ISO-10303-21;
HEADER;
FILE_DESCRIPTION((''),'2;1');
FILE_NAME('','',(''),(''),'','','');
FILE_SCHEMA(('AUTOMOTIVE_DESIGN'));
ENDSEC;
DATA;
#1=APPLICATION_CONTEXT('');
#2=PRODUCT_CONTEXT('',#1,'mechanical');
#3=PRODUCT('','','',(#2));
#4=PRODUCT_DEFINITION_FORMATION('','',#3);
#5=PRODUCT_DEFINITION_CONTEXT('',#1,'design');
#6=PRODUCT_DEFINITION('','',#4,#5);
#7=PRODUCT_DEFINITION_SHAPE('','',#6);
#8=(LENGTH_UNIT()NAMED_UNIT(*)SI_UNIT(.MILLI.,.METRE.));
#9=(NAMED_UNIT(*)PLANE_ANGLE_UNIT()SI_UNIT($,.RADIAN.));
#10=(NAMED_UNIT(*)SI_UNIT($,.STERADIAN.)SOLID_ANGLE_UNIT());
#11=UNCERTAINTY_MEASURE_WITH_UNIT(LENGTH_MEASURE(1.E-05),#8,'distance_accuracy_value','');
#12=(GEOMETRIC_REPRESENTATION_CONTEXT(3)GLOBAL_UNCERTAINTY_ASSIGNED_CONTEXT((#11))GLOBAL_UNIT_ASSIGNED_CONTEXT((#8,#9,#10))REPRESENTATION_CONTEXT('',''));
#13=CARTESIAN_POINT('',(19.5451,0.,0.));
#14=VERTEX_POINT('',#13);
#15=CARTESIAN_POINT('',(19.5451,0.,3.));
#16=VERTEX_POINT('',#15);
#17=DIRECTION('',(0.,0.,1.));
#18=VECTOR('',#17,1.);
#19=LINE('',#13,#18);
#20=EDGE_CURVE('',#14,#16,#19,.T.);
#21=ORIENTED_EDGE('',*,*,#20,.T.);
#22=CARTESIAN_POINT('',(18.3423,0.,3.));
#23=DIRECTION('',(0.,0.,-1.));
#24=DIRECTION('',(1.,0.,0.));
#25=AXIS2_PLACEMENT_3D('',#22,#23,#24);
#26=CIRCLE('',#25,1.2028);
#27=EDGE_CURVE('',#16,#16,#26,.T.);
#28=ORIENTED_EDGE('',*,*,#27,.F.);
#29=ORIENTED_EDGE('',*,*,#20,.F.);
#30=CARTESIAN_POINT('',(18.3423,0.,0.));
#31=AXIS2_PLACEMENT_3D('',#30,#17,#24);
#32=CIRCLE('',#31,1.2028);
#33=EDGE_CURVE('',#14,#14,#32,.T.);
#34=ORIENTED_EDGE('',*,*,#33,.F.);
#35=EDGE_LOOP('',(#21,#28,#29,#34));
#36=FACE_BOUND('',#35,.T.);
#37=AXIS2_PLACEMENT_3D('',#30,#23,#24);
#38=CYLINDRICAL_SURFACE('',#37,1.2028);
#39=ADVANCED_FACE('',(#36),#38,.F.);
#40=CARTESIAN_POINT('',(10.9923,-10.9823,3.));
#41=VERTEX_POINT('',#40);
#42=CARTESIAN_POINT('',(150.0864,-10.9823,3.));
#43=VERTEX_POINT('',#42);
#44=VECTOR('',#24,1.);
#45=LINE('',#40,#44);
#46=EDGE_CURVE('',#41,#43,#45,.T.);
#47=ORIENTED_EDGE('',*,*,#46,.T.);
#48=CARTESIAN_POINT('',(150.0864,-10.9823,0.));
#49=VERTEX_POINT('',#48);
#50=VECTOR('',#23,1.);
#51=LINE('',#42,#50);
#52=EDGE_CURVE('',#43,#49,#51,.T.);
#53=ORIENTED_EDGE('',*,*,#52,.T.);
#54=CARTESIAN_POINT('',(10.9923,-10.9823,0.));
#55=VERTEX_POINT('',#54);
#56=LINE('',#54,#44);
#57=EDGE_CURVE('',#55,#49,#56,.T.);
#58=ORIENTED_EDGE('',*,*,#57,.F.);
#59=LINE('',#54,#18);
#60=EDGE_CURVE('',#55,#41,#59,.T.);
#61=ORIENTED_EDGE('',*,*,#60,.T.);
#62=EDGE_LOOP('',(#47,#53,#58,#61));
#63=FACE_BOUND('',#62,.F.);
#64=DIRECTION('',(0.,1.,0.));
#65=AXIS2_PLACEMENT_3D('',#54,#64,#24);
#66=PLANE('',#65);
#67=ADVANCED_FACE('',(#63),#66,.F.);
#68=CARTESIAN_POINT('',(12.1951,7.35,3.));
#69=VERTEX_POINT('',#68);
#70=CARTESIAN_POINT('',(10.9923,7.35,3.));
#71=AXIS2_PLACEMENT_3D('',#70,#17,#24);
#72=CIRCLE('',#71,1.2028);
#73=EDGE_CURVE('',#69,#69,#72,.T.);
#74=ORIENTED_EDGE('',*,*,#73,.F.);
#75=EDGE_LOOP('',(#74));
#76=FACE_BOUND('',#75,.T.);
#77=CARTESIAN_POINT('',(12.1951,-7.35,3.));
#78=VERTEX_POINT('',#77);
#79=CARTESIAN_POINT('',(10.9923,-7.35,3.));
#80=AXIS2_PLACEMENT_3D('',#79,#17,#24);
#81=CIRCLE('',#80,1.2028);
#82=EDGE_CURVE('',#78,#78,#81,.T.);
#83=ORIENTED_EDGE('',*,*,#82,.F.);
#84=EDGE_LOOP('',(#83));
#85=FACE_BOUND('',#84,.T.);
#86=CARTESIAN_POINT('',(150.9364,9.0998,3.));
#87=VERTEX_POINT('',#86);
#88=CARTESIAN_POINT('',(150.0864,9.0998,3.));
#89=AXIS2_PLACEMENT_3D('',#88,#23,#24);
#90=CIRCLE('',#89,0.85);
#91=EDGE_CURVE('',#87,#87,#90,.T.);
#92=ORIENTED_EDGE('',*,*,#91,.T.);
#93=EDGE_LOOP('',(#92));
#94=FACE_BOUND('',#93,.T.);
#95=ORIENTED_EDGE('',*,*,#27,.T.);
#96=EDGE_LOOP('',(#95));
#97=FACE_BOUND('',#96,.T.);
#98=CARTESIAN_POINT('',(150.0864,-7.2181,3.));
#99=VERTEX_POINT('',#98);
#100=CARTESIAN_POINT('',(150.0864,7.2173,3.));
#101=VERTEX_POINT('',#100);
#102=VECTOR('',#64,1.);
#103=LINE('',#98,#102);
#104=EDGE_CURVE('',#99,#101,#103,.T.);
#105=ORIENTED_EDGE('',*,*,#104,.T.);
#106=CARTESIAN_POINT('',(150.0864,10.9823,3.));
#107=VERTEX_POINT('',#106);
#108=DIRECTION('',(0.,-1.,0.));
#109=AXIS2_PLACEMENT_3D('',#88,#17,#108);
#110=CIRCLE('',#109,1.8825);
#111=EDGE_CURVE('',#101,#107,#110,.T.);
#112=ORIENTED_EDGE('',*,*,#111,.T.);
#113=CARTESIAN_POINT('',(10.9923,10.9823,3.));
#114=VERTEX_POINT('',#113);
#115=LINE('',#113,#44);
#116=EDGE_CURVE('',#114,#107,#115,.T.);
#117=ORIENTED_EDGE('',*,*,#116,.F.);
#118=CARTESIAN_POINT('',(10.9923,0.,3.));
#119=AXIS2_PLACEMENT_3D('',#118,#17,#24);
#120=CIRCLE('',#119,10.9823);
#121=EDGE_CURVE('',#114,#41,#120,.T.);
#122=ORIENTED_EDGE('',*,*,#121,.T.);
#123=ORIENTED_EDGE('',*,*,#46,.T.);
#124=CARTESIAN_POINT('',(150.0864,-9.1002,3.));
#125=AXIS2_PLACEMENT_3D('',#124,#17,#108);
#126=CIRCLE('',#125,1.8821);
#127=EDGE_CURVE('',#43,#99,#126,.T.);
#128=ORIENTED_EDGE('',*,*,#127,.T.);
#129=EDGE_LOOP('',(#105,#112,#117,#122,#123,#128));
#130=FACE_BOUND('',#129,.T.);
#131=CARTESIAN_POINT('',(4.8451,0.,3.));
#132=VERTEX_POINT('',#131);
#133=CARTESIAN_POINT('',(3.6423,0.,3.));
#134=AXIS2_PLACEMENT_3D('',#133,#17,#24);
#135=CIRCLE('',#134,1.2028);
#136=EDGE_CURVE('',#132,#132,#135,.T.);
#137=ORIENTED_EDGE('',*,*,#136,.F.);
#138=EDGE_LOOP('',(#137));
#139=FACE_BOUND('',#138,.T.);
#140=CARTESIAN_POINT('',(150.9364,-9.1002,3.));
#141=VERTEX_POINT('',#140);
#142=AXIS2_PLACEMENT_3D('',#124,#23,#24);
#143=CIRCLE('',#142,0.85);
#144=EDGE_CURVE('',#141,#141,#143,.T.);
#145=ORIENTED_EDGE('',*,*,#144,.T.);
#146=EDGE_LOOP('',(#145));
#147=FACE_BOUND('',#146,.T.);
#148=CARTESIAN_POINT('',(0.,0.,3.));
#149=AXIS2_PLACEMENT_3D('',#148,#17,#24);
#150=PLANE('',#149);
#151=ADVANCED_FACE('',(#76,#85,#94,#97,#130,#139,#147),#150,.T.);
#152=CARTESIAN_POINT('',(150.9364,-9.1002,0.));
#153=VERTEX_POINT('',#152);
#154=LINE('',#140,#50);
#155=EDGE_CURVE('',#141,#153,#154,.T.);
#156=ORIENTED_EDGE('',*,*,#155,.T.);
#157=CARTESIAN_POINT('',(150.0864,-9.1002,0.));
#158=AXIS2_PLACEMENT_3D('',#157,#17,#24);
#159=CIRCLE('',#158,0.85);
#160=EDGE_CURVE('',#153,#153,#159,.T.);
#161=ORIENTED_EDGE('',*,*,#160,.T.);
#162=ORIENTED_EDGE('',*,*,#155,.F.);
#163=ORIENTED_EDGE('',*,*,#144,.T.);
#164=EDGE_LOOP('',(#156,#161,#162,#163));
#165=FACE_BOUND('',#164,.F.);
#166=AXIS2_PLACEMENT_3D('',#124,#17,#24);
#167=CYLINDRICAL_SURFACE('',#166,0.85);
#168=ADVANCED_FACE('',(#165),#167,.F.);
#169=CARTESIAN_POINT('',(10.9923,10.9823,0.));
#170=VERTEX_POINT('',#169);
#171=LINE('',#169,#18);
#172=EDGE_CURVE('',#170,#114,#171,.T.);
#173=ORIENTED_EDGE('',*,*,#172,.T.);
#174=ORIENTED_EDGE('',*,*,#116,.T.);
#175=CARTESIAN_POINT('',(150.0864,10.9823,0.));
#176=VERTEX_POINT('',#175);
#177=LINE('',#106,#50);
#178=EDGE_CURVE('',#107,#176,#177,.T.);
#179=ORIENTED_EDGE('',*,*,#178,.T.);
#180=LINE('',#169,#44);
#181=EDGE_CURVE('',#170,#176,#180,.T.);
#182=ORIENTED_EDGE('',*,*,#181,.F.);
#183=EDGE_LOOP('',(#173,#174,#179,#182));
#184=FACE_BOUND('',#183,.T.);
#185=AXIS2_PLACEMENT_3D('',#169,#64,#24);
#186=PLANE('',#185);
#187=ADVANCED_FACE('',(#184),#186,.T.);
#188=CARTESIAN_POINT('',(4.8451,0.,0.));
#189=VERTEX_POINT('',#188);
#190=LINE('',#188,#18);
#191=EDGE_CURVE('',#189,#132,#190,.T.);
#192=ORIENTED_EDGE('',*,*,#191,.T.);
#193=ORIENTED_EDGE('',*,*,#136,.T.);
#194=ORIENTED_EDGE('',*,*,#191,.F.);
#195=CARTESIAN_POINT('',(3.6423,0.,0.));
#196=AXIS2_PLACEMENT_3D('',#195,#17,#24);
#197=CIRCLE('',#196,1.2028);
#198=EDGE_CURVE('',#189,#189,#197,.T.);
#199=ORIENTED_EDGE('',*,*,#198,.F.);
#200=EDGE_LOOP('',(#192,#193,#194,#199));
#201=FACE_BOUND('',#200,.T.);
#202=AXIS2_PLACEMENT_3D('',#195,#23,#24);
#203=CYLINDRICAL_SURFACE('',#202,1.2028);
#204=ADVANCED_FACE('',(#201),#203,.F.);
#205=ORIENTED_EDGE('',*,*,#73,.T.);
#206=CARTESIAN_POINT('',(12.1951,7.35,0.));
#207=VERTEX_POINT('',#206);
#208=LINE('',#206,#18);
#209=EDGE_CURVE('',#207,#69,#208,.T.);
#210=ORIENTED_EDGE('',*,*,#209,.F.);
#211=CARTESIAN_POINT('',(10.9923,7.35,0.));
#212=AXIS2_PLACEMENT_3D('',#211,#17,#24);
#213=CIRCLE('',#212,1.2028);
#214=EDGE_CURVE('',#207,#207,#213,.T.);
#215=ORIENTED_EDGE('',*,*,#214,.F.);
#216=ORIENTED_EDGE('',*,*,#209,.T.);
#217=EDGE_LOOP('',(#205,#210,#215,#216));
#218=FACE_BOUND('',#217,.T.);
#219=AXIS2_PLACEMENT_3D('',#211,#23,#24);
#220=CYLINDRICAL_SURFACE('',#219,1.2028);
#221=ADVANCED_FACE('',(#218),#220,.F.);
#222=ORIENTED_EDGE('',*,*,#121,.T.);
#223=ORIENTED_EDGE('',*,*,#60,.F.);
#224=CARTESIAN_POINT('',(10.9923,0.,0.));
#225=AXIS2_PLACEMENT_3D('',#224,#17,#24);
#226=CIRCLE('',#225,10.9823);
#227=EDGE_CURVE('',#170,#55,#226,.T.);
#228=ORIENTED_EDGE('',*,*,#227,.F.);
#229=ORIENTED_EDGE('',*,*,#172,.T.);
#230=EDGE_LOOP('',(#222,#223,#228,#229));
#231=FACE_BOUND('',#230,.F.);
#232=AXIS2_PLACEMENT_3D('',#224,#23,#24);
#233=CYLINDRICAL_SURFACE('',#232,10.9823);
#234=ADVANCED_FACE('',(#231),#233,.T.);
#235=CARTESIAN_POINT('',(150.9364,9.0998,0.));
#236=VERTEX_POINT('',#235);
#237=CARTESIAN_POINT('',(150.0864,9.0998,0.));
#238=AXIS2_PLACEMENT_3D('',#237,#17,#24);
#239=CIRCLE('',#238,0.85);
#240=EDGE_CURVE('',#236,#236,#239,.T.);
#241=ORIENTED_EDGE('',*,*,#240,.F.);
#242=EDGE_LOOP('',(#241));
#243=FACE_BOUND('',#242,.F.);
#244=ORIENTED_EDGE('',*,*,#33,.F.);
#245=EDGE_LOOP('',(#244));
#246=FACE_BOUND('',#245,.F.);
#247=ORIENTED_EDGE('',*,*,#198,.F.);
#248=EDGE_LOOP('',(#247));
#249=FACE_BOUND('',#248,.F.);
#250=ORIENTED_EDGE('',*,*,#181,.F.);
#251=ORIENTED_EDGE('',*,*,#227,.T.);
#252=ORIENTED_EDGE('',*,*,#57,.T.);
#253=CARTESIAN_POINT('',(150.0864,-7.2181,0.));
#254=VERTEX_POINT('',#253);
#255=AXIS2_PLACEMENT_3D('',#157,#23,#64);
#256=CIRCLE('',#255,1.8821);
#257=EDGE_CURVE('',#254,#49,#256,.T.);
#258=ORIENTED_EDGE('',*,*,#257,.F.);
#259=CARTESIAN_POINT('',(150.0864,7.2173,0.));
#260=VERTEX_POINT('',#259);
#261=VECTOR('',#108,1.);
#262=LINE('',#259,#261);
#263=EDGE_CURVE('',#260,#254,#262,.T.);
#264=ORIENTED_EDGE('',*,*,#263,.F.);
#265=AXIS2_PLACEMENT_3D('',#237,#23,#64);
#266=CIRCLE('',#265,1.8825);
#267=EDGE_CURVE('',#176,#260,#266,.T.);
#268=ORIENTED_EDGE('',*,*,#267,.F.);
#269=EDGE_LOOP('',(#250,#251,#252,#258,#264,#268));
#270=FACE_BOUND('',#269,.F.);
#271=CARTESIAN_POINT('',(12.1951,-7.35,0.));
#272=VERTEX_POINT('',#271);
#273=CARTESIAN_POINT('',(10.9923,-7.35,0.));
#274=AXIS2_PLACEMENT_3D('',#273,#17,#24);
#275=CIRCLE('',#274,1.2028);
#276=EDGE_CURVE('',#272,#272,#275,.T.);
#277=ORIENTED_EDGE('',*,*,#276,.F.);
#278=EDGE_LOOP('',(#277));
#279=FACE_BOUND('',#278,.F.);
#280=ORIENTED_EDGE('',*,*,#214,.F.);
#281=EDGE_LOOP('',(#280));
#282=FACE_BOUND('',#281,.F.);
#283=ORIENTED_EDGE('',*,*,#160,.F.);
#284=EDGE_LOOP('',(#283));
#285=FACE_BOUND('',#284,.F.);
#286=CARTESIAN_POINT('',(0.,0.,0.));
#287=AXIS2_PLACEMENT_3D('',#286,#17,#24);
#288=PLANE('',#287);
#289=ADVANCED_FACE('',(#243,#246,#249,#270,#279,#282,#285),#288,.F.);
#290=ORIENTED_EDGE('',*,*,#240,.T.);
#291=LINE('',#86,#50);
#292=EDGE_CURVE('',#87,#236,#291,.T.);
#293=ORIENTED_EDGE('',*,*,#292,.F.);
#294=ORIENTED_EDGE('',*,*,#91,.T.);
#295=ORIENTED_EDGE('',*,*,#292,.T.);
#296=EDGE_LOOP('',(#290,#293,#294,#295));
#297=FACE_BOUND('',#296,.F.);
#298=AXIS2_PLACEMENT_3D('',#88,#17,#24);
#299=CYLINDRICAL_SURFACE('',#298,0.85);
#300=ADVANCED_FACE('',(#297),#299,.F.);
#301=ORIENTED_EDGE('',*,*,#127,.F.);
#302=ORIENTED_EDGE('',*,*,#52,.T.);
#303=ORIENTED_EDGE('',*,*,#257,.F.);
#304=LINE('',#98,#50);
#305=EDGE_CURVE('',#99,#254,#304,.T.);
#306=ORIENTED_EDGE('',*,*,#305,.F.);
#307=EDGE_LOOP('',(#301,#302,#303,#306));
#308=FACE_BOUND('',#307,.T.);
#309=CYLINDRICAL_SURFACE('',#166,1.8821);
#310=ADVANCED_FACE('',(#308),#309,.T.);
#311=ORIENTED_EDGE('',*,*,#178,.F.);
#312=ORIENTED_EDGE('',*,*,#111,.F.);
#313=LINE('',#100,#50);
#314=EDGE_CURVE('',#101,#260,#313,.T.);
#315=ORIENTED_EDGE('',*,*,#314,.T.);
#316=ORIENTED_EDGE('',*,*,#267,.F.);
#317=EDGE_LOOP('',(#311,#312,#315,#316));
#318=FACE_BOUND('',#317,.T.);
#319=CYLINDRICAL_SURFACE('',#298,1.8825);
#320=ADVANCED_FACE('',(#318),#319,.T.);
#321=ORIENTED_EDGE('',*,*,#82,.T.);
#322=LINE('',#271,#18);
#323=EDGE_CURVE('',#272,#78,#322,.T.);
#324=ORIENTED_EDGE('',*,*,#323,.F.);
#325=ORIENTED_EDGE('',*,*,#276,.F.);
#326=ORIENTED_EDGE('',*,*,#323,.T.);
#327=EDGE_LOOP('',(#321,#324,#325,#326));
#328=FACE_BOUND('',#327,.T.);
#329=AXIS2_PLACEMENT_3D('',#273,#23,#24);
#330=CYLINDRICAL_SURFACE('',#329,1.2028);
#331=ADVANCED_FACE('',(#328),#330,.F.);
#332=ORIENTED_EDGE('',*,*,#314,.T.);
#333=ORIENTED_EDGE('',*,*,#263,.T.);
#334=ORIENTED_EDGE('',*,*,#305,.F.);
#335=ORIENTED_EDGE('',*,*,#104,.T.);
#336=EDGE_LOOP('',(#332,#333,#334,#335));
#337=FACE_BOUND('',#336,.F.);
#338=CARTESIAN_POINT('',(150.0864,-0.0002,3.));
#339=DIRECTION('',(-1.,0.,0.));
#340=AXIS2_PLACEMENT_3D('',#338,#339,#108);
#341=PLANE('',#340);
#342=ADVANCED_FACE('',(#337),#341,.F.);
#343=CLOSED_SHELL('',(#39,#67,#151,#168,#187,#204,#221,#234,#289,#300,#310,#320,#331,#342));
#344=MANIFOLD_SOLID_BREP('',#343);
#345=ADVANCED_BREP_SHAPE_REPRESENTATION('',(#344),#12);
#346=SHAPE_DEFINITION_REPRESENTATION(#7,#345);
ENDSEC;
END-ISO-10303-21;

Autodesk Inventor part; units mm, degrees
ref_plane "YZ Plane" through (0, 0, 0) normal (1, 0, 0) x (0, 1, 0)
ref_plane "XZ Plane" through (0, 0, 0) normal (0, 1, 0) x (-1, 0, 0)
ref_plane "XY Plane" through (0, 0, 0) normal (0, 0, 1) x (1, 0, 0)
ref_plane "Plano de trabajo1" through (0, 0, 0) normal (0, 0, 1) x (1, 0, 0)
sketch "Boceto1" plane through (0, 0, 0) normal (0, 0, 1) x (1, 0, 0)
  circle A0 centre (10.9923, 0) radius 10.9823 projected
  circle A1 centre (10.9923, 7.35) radius 1.2028 projected
  circle A2 centre (3.6423, 0) radius 1.2028 projected
  circle A3 centre (18.3423, 0) radius 1.2028 projected
  circle A4 centre (18.7153, -9.5116) radius 1.05 projected
  circle A5 centre (10.9923, -7.35) radius 1.2028 projected
  line L0 (10.9923, 0) -> (160.9923, 0)
  line L1 (10.9923, 10.9823) -> (160.9923, 10.9823)
  line L2 (10.9923, -10.9823) -> (160.9923, -10.9823)
  line L3 (160.9923, -10.9823) -> (160.9923, 10.9823)
  point P0 (0, 0)
  dimension "d0" = 150
extrude "Extrusión1" add sketch "Boceto1" along normal blind 3
sketch "Boceto2" plane through (0, 0, 3) normal (0, 0, 1) x (1, 0, 0)
  arc A0 (151.1597, 5.5871) -> (154.1073, 8.4343) centre (150.0864, 9.6477) ccw projected
  circle A1 centre (150.0864, -8.5523) radius 0.85 projected
  circle A2 centre (150.0864, 9.6477) radius 0.85 projected
  line L0 (160.9923, 10.9823) -> (10.9923, 10.9823) projected
  line L1 (10.9923, -10.9823) -> (160.9923, -10.9823) projected
  line L2 (160.9923, -10.9823) -> (160.9923, 10.9823) projected
  line L3 (160.9923, 10.9823) -> (10.9923, 10.9823) projected
  arc A3 (10.9923, 10.9823) -> (10.9923, -10.9823) centre (10.9923, 0) ccw projected
  circle A4 centre (18.7153, -9.5116) radius 1.05 projected
  circle A5 centre (10.9923, 7.35) radius 1.2028 projected
  circle A6 centre (3.6423, 0) radius 1.2028 projected
  circle A7 centre (10.9923, -7.35) radius 1.2028 projected
  circle A8 centre (18.3423, 0) radius 1.2028 projected
  line L4 (150.0864, 10.9823) -> (150.0864, -0.0002)
  line L5 (150.0864, -0.0002) -> (150.0864, -9.1002)
  line L6 (150.0864, -0.0002) -> (150.0864, 9.0998)
  circle A9 centre (150.0864, 9.0998) radius 0.85
  circle A10 centre (150.0864, -9.1002) radius 0.85
  circle A11 centre (150.0864, 9.0998) radius 1.8825
  circle A12 centre (150.0864, -9.1002) radius 1.8821
  point P0 (0, 0)
  point P1 (150.0864, 7.2173)
  point P2 (150.0864, -7.218)
  point P3 (150.0864, -10.9823)
  dimension "d3" = 10.9825
  dimension "d4" = 9.1
  dimension "d5" = 9.1
  dimension "d6" = 1.7
  dimension "d7" = 1.7
extrude "Extrusión2" cut sketch "Boceto2" against normal blind 3 contours L5 L4 A11 L0 L2 L1 A12 | A10 A1 | A1 A10 | A9 A2 L4 | L4 A2 A9 | L4 A9 A2 | A2 A9 L4 picked at (149.9501, 8.6317) picked at (150.2191, 8.6309) picked at (150.5614, 9.2824) picked at (149.6114, 9.2824)
sketch "Boceto3" plane through (0, 0, 3) normal (0, 0, 1) x (1, 0, 0)
  point P0 (0, 0)
sketch "Boceto4" plane through (0, 0, 3) normal (0, 0, 1) x (1, 0, 0)
  circle A0 centre (18.7153, -9.5116) radius 1.05 projected
  point P0 (0, 0)
extrude "Extrusión3" add sketch "Boceto4" against normal blind 3
properties part number "tibiaMot"
